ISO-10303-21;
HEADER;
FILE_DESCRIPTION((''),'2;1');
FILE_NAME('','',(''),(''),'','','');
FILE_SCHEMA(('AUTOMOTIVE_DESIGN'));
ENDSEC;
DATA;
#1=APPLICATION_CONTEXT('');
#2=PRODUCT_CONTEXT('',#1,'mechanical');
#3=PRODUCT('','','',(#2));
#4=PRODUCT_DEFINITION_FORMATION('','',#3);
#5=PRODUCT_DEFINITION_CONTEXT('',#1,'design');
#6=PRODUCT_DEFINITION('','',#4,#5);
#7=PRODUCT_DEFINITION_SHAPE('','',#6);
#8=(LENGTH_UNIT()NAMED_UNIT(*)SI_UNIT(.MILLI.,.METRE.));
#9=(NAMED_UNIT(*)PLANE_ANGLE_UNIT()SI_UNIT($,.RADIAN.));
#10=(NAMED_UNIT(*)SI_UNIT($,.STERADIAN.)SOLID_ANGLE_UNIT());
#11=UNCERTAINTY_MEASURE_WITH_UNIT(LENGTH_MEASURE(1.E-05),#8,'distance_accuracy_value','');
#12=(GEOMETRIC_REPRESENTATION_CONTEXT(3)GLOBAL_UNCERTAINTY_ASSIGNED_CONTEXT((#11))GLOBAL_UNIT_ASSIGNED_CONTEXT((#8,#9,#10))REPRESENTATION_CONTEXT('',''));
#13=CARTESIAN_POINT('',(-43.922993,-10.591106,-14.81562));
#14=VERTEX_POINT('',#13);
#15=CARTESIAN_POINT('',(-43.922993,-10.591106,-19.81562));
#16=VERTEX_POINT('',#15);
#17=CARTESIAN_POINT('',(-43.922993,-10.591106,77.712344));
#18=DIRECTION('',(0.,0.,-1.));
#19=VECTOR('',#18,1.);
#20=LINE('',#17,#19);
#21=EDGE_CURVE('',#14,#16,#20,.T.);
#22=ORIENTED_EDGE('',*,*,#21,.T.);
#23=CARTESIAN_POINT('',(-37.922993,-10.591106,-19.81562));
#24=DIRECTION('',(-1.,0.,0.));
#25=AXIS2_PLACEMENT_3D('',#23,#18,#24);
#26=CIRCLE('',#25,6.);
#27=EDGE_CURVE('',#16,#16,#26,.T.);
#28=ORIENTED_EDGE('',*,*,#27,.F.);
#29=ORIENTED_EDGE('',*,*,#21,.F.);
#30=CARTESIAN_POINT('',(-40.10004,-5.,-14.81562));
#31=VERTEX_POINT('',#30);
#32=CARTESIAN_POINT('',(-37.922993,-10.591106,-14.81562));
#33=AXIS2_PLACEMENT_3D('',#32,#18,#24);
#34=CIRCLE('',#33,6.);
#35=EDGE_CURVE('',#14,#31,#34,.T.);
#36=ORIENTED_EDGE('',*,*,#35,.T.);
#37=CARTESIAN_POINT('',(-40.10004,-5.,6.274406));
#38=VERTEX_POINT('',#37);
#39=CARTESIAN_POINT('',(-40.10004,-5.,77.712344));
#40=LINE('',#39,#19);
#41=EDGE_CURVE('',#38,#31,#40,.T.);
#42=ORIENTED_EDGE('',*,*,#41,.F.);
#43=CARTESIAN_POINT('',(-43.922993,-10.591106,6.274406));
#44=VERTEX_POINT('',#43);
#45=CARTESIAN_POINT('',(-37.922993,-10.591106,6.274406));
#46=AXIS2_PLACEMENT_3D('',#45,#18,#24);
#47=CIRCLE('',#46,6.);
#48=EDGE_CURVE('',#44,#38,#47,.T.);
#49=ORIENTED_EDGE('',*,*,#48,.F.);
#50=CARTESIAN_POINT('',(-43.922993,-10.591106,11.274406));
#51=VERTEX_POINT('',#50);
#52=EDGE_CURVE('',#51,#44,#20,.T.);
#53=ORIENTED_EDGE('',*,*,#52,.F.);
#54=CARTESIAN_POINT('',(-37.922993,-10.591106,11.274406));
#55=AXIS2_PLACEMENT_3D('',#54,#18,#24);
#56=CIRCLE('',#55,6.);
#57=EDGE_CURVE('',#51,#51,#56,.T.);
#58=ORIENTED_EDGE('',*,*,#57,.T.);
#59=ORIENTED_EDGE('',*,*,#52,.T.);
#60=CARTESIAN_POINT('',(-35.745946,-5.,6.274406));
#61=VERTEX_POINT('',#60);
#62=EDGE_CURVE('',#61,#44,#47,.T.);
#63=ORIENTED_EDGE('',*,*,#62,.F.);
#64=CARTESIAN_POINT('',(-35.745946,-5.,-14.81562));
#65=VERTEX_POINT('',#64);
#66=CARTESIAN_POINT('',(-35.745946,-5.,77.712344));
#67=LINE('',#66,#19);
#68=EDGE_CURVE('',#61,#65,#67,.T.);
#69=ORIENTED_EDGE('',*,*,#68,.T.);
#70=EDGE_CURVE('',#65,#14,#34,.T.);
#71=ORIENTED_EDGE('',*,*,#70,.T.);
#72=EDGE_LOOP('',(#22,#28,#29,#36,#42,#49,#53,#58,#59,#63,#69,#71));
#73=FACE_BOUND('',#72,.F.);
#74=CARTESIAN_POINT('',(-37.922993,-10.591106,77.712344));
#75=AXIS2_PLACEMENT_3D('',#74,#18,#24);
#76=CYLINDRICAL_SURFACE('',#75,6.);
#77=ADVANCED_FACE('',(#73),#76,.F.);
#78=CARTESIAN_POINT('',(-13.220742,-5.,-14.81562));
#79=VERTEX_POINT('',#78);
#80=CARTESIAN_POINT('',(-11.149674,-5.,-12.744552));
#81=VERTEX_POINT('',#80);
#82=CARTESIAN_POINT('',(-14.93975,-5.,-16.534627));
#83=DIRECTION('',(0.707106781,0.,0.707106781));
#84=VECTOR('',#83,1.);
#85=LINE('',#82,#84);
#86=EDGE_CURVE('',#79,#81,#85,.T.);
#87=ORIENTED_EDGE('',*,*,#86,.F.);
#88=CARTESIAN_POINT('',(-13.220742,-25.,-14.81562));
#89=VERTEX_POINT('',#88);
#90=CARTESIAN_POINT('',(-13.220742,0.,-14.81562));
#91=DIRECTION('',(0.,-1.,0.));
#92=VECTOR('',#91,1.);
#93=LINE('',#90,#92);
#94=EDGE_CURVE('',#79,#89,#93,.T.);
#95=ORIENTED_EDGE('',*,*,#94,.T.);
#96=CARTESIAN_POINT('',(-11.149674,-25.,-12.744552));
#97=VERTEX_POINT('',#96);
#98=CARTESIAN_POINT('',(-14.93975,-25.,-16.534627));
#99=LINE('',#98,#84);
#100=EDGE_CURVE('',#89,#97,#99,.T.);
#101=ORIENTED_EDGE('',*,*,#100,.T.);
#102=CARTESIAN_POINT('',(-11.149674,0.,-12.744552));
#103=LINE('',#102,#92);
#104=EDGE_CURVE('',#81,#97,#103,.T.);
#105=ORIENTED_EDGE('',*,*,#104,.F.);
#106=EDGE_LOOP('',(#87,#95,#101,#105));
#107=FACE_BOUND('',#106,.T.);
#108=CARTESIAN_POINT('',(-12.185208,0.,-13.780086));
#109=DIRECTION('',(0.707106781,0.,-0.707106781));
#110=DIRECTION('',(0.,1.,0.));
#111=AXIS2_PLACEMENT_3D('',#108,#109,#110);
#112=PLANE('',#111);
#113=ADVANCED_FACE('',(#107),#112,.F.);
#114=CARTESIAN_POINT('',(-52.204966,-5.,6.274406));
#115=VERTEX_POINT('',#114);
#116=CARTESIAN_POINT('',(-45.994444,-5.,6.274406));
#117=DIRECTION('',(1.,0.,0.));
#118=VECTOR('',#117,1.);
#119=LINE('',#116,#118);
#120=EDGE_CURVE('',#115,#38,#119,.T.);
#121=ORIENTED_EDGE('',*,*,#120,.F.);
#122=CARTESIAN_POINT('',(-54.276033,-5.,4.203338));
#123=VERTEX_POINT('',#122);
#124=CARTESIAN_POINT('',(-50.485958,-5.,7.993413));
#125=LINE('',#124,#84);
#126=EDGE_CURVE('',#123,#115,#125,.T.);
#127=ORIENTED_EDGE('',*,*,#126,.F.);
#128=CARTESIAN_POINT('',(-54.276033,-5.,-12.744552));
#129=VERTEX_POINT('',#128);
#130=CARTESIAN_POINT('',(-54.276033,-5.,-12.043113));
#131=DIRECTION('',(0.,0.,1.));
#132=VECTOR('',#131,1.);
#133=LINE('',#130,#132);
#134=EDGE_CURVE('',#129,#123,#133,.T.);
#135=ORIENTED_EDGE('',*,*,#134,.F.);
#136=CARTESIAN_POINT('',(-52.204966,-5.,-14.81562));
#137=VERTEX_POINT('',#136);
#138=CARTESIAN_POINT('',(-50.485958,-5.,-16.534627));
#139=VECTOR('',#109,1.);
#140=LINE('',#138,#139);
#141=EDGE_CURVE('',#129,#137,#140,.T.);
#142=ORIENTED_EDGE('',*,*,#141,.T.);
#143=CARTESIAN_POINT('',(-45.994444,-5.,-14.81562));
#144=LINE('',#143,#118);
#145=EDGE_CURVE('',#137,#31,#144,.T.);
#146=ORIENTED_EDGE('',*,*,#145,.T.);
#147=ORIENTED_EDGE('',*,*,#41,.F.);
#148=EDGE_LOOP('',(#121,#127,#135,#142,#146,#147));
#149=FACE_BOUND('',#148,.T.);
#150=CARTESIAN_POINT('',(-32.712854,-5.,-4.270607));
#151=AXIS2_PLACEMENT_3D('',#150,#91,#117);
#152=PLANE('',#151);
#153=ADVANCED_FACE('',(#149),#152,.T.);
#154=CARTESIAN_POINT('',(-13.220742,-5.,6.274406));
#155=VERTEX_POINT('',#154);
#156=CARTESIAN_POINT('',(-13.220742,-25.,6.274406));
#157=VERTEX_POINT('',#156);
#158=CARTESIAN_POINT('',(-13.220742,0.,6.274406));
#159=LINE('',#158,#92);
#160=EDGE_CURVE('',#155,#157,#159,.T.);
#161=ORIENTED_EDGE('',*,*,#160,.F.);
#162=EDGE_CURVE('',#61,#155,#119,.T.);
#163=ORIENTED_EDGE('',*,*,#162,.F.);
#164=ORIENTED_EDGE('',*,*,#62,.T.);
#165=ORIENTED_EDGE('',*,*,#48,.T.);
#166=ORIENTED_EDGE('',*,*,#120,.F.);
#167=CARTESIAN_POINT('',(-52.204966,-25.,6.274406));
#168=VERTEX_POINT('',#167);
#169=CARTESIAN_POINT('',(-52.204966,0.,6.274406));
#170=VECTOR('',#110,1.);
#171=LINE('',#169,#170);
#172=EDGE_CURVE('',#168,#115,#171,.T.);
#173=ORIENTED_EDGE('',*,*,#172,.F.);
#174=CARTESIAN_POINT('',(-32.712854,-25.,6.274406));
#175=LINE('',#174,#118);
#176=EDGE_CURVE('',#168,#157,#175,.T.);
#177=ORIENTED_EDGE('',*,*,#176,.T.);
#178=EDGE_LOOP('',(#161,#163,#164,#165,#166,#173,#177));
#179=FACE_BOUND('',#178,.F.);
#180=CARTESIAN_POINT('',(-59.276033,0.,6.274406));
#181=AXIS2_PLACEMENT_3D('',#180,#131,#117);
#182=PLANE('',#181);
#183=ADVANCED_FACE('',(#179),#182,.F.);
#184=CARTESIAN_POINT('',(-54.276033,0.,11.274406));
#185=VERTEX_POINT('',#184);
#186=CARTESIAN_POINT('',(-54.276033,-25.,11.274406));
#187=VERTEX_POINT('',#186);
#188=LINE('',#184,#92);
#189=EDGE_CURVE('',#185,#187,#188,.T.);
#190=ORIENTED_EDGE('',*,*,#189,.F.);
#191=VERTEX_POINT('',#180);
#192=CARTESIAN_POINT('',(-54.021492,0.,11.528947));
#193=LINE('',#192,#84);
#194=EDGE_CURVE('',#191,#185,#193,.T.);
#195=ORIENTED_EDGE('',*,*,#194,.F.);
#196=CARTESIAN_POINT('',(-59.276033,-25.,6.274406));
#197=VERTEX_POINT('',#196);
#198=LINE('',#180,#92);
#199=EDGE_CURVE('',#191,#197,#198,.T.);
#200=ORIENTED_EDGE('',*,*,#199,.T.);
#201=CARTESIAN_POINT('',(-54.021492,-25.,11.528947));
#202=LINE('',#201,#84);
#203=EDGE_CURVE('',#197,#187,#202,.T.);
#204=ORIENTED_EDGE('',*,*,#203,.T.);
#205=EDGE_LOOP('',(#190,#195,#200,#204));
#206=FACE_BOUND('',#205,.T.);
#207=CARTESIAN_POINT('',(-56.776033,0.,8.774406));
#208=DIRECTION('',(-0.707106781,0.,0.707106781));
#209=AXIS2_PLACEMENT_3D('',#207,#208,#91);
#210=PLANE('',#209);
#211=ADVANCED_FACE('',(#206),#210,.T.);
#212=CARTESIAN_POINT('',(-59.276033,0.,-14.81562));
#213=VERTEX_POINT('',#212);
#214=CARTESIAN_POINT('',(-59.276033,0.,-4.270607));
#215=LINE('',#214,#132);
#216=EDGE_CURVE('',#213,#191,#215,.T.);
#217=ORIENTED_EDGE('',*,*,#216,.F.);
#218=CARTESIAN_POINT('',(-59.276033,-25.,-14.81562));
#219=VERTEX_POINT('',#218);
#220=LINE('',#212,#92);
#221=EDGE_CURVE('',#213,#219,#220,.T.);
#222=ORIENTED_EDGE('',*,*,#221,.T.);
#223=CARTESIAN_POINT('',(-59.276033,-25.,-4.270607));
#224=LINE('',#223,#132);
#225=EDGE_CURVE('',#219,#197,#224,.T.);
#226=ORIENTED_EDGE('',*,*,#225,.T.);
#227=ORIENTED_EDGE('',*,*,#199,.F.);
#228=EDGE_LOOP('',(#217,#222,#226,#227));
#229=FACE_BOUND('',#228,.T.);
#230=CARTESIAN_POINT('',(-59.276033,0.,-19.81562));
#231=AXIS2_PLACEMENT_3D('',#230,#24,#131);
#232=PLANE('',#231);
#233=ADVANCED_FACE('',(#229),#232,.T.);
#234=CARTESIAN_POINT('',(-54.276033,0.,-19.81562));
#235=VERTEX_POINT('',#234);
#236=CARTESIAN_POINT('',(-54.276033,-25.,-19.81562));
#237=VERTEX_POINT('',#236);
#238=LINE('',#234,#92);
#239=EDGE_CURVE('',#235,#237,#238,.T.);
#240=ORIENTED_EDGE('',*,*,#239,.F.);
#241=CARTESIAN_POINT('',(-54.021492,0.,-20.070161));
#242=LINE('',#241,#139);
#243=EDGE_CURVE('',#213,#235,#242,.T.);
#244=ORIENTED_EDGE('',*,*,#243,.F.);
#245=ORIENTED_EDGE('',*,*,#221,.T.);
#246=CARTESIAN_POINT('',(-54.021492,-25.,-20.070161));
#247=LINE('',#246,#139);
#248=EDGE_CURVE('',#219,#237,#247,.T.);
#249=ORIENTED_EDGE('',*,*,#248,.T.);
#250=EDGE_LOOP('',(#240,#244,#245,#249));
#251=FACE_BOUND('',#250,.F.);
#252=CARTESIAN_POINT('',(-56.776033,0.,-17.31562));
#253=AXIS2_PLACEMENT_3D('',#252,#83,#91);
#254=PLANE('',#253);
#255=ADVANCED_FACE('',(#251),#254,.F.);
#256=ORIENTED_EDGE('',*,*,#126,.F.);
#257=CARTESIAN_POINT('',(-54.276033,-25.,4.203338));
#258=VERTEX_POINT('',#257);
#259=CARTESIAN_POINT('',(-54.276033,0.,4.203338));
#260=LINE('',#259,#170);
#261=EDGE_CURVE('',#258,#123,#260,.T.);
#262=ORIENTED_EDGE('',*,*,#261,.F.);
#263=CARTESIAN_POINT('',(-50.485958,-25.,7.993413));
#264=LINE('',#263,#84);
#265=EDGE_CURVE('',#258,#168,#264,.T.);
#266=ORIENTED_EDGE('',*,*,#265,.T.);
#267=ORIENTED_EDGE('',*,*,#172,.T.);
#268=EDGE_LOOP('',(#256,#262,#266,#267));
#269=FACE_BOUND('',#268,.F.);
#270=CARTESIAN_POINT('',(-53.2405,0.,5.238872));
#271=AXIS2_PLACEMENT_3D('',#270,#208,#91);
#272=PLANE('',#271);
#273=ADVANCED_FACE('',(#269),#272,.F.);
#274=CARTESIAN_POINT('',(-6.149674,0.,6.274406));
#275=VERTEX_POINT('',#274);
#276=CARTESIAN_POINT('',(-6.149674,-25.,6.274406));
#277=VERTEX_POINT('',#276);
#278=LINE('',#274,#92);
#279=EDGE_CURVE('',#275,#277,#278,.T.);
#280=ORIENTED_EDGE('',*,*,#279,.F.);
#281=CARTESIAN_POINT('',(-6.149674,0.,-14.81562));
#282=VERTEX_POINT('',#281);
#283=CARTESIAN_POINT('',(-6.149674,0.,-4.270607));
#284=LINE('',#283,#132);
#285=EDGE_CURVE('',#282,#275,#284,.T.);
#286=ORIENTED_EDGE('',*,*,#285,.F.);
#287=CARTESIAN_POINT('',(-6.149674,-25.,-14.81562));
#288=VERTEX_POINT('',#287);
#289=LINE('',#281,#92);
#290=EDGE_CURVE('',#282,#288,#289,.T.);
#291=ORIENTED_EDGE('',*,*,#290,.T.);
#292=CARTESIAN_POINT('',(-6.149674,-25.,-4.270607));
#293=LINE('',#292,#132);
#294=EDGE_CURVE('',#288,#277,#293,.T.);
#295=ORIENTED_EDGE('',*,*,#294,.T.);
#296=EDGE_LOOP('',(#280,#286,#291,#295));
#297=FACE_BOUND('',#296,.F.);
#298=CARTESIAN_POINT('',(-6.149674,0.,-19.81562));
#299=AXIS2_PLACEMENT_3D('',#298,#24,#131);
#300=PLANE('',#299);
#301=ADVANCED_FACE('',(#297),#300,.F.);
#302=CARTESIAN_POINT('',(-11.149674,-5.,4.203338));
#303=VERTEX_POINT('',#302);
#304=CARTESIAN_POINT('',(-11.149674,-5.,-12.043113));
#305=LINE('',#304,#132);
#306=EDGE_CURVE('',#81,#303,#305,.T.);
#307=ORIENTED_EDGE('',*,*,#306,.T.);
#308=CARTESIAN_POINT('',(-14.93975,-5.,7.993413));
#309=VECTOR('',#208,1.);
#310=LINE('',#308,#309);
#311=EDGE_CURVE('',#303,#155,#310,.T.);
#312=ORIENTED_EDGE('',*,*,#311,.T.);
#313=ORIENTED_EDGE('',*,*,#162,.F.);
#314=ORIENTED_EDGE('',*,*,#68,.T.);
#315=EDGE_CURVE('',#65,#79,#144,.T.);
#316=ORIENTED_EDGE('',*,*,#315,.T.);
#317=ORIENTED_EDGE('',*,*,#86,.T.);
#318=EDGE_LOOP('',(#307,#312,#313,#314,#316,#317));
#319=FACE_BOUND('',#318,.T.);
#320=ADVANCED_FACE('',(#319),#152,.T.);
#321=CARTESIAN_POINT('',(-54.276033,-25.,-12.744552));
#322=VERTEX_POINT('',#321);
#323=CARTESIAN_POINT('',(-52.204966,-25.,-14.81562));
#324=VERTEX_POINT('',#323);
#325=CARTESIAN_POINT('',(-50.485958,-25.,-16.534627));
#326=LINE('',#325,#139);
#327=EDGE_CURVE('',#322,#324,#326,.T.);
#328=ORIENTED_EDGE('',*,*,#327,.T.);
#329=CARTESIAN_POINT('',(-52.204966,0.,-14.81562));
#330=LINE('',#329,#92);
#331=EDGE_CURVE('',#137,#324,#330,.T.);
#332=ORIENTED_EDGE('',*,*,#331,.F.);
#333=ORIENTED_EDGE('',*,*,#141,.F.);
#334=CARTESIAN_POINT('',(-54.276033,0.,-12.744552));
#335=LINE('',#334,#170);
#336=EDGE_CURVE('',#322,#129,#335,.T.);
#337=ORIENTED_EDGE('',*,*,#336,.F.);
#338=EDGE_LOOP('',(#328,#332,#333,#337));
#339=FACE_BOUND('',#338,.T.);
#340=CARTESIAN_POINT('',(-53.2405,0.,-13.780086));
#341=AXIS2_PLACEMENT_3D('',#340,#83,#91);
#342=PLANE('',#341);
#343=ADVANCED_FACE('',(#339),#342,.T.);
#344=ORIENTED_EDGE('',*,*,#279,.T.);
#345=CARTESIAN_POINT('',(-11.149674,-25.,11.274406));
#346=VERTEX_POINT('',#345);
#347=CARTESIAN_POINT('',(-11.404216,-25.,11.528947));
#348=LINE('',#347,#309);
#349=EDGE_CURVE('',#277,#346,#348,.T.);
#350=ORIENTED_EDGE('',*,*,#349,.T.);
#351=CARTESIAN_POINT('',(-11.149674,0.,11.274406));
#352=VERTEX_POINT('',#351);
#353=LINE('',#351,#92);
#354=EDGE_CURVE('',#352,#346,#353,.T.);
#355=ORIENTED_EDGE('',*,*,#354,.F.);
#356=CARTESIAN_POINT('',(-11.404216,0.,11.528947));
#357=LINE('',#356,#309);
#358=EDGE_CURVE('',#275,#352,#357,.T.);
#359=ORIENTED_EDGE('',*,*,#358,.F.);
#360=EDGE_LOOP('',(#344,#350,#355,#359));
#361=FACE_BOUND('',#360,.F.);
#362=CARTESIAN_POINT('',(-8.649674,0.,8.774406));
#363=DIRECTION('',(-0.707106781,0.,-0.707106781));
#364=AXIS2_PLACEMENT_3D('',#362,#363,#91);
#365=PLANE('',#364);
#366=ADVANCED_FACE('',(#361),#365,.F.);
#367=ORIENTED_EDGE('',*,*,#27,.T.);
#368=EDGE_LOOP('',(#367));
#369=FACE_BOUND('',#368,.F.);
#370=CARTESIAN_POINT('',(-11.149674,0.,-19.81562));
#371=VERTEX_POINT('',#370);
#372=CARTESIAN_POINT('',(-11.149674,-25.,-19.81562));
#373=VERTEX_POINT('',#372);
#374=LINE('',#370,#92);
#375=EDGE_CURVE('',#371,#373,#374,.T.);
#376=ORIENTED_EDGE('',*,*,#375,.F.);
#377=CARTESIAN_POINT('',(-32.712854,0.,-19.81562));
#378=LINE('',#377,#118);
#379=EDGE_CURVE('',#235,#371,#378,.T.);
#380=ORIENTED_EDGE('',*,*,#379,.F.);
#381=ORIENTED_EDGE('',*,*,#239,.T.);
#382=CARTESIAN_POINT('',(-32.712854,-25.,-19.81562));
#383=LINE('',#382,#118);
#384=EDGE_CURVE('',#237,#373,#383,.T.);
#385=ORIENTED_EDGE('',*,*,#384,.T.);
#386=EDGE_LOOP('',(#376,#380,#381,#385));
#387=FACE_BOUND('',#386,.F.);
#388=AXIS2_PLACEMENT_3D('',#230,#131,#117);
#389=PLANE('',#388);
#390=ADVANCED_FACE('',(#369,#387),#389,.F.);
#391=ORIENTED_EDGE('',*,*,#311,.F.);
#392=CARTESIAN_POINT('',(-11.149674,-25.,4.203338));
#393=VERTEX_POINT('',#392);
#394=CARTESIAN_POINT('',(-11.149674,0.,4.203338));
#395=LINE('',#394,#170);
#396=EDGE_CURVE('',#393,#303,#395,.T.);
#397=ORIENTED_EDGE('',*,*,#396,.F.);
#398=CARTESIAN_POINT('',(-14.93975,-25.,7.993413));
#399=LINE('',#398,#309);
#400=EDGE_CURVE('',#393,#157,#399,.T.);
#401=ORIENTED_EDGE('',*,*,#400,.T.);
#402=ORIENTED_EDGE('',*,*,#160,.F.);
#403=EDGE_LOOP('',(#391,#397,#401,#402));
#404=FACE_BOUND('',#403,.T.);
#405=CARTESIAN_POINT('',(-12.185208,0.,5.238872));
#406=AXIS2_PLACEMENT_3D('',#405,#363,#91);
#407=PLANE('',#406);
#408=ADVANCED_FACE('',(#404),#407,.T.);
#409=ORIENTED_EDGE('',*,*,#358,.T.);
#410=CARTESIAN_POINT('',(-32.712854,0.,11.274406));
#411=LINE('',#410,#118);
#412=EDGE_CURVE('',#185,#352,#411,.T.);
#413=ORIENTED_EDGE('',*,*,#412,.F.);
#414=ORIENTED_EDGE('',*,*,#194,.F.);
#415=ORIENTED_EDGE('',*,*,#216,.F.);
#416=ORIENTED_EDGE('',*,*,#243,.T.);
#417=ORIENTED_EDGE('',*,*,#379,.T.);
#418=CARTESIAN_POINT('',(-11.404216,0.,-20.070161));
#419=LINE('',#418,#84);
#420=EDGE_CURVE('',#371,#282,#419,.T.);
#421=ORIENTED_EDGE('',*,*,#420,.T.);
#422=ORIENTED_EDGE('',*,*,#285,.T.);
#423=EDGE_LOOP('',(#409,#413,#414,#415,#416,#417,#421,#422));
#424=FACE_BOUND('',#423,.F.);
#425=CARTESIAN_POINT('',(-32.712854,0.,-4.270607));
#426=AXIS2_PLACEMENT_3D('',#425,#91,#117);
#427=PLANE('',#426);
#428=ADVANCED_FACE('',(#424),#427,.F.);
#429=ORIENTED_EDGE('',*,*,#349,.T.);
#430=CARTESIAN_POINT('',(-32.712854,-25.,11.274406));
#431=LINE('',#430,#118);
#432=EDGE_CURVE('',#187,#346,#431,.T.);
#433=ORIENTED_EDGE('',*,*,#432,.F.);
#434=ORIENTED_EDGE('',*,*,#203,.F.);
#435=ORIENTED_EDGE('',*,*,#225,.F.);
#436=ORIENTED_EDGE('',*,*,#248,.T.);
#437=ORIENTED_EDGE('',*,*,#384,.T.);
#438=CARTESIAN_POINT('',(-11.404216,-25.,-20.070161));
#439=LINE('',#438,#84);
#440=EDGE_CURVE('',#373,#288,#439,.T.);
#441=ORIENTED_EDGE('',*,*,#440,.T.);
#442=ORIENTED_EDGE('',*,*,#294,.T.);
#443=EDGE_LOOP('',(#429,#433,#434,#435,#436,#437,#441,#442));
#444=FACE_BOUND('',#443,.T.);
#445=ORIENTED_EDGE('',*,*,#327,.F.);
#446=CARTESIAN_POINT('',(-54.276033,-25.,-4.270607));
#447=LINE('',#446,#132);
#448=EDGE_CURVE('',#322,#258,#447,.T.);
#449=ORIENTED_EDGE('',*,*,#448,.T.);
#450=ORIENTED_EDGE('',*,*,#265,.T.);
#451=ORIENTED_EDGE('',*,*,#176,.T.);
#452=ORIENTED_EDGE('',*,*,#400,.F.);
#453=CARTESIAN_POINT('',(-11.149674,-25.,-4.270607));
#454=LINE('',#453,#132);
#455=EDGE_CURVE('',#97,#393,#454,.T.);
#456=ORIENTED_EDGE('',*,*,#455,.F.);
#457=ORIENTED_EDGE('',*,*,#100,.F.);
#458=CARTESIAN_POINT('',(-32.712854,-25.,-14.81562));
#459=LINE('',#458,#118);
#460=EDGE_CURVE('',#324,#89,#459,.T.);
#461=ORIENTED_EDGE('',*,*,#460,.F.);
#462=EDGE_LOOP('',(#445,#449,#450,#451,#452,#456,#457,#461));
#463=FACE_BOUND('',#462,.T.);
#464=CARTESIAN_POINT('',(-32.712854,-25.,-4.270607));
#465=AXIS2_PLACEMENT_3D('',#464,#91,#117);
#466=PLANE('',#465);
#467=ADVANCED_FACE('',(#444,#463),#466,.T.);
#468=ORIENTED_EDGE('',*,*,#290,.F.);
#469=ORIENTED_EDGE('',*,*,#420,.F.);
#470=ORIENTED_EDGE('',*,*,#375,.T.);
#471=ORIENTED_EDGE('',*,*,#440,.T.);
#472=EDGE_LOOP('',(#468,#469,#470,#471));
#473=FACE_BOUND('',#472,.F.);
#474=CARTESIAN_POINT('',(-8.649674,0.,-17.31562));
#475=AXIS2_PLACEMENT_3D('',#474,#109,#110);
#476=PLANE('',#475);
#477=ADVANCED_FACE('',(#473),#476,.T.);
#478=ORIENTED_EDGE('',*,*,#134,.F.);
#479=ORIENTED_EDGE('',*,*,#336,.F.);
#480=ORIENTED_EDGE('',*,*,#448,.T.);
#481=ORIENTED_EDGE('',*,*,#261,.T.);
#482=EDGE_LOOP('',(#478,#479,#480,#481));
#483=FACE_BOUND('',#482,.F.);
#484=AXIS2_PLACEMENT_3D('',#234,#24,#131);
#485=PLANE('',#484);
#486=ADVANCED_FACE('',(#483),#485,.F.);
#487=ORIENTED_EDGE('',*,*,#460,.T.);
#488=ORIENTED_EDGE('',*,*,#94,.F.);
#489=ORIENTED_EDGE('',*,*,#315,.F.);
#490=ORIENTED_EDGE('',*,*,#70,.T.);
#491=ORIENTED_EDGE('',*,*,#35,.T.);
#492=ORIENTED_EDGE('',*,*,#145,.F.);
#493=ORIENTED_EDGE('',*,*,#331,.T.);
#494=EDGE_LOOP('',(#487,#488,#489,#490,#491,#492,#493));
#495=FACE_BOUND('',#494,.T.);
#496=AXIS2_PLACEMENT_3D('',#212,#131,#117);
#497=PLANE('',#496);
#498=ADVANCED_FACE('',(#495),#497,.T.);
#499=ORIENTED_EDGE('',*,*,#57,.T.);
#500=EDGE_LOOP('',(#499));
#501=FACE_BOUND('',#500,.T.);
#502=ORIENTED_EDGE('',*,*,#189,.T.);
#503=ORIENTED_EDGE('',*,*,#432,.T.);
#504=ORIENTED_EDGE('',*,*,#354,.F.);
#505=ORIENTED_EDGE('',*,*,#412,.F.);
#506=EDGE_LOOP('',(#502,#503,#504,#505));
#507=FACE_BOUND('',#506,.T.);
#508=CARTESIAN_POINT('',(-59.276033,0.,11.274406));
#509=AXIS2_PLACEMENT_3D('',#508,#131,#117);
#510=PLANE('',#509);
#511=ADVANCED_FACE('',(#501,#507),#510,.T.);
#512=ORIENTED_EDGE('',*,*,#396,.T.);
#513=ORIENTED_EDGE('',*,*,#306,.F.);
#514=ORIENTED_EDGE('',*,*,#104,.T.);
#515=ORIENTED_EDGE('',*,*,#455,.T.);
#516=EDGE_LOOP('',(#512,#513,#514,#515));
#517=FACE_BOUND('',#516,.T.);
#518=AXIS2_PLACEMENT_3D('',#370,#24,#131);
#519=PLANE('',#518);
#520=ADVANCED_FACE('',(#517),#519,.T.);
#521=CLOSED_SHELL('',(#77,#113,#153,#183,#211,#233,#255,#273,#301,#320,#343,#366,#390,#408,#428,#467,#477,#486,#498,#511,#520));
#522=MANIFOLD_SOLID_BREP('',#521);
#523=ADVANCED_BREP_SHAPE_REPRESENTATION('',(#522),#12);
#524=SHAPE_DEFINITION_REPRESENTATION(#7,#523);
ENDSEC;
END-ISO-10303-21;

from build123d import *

# Parameters (mm, degrees)
F0_W     = 53.126359
F0_H     = 31.090025
F1_DEPTH = 25
F2_SIZE  = 5
F3_T     = -5
F5_D     = 12


with BuildPart() as f1:
    # F0 (on Front) → F1 (new body)
    with BuildSketch(Plane.XZ):
        with Locations((-32.712854, -4.270607)):
            Rectangle(F0_W, F0_H)
    extrude(amount=F1_DEPTH)

    # F2
    f2_edges = [f1.edges().sort_by_distance(p)[0] for p in [
        (-6.149674, -12.5, 11.274405),
        (-59.276033, -12.5, 11.274405),
        (-6.149674, -12.5, -19.81562),
        (-59.276033, -12.5, -19.81562),
    ]]
    chamfer(f2_edges, length=F2_SIZE)

    # F3
    f3_openings = [f1.faces().sort_by_distance(p)[0] for p in [
        (-32.712854, -25, -4.270608),
    ]]
    offset(amount=F3_T, openings=f3_openings)

    # F5 (through all)
    with Locations(Plane.XY.offset(11.274405)):
        with Locations((-37.922993, -10.591106)):
            Hole(F5_D / 2)


solid = f1.part
